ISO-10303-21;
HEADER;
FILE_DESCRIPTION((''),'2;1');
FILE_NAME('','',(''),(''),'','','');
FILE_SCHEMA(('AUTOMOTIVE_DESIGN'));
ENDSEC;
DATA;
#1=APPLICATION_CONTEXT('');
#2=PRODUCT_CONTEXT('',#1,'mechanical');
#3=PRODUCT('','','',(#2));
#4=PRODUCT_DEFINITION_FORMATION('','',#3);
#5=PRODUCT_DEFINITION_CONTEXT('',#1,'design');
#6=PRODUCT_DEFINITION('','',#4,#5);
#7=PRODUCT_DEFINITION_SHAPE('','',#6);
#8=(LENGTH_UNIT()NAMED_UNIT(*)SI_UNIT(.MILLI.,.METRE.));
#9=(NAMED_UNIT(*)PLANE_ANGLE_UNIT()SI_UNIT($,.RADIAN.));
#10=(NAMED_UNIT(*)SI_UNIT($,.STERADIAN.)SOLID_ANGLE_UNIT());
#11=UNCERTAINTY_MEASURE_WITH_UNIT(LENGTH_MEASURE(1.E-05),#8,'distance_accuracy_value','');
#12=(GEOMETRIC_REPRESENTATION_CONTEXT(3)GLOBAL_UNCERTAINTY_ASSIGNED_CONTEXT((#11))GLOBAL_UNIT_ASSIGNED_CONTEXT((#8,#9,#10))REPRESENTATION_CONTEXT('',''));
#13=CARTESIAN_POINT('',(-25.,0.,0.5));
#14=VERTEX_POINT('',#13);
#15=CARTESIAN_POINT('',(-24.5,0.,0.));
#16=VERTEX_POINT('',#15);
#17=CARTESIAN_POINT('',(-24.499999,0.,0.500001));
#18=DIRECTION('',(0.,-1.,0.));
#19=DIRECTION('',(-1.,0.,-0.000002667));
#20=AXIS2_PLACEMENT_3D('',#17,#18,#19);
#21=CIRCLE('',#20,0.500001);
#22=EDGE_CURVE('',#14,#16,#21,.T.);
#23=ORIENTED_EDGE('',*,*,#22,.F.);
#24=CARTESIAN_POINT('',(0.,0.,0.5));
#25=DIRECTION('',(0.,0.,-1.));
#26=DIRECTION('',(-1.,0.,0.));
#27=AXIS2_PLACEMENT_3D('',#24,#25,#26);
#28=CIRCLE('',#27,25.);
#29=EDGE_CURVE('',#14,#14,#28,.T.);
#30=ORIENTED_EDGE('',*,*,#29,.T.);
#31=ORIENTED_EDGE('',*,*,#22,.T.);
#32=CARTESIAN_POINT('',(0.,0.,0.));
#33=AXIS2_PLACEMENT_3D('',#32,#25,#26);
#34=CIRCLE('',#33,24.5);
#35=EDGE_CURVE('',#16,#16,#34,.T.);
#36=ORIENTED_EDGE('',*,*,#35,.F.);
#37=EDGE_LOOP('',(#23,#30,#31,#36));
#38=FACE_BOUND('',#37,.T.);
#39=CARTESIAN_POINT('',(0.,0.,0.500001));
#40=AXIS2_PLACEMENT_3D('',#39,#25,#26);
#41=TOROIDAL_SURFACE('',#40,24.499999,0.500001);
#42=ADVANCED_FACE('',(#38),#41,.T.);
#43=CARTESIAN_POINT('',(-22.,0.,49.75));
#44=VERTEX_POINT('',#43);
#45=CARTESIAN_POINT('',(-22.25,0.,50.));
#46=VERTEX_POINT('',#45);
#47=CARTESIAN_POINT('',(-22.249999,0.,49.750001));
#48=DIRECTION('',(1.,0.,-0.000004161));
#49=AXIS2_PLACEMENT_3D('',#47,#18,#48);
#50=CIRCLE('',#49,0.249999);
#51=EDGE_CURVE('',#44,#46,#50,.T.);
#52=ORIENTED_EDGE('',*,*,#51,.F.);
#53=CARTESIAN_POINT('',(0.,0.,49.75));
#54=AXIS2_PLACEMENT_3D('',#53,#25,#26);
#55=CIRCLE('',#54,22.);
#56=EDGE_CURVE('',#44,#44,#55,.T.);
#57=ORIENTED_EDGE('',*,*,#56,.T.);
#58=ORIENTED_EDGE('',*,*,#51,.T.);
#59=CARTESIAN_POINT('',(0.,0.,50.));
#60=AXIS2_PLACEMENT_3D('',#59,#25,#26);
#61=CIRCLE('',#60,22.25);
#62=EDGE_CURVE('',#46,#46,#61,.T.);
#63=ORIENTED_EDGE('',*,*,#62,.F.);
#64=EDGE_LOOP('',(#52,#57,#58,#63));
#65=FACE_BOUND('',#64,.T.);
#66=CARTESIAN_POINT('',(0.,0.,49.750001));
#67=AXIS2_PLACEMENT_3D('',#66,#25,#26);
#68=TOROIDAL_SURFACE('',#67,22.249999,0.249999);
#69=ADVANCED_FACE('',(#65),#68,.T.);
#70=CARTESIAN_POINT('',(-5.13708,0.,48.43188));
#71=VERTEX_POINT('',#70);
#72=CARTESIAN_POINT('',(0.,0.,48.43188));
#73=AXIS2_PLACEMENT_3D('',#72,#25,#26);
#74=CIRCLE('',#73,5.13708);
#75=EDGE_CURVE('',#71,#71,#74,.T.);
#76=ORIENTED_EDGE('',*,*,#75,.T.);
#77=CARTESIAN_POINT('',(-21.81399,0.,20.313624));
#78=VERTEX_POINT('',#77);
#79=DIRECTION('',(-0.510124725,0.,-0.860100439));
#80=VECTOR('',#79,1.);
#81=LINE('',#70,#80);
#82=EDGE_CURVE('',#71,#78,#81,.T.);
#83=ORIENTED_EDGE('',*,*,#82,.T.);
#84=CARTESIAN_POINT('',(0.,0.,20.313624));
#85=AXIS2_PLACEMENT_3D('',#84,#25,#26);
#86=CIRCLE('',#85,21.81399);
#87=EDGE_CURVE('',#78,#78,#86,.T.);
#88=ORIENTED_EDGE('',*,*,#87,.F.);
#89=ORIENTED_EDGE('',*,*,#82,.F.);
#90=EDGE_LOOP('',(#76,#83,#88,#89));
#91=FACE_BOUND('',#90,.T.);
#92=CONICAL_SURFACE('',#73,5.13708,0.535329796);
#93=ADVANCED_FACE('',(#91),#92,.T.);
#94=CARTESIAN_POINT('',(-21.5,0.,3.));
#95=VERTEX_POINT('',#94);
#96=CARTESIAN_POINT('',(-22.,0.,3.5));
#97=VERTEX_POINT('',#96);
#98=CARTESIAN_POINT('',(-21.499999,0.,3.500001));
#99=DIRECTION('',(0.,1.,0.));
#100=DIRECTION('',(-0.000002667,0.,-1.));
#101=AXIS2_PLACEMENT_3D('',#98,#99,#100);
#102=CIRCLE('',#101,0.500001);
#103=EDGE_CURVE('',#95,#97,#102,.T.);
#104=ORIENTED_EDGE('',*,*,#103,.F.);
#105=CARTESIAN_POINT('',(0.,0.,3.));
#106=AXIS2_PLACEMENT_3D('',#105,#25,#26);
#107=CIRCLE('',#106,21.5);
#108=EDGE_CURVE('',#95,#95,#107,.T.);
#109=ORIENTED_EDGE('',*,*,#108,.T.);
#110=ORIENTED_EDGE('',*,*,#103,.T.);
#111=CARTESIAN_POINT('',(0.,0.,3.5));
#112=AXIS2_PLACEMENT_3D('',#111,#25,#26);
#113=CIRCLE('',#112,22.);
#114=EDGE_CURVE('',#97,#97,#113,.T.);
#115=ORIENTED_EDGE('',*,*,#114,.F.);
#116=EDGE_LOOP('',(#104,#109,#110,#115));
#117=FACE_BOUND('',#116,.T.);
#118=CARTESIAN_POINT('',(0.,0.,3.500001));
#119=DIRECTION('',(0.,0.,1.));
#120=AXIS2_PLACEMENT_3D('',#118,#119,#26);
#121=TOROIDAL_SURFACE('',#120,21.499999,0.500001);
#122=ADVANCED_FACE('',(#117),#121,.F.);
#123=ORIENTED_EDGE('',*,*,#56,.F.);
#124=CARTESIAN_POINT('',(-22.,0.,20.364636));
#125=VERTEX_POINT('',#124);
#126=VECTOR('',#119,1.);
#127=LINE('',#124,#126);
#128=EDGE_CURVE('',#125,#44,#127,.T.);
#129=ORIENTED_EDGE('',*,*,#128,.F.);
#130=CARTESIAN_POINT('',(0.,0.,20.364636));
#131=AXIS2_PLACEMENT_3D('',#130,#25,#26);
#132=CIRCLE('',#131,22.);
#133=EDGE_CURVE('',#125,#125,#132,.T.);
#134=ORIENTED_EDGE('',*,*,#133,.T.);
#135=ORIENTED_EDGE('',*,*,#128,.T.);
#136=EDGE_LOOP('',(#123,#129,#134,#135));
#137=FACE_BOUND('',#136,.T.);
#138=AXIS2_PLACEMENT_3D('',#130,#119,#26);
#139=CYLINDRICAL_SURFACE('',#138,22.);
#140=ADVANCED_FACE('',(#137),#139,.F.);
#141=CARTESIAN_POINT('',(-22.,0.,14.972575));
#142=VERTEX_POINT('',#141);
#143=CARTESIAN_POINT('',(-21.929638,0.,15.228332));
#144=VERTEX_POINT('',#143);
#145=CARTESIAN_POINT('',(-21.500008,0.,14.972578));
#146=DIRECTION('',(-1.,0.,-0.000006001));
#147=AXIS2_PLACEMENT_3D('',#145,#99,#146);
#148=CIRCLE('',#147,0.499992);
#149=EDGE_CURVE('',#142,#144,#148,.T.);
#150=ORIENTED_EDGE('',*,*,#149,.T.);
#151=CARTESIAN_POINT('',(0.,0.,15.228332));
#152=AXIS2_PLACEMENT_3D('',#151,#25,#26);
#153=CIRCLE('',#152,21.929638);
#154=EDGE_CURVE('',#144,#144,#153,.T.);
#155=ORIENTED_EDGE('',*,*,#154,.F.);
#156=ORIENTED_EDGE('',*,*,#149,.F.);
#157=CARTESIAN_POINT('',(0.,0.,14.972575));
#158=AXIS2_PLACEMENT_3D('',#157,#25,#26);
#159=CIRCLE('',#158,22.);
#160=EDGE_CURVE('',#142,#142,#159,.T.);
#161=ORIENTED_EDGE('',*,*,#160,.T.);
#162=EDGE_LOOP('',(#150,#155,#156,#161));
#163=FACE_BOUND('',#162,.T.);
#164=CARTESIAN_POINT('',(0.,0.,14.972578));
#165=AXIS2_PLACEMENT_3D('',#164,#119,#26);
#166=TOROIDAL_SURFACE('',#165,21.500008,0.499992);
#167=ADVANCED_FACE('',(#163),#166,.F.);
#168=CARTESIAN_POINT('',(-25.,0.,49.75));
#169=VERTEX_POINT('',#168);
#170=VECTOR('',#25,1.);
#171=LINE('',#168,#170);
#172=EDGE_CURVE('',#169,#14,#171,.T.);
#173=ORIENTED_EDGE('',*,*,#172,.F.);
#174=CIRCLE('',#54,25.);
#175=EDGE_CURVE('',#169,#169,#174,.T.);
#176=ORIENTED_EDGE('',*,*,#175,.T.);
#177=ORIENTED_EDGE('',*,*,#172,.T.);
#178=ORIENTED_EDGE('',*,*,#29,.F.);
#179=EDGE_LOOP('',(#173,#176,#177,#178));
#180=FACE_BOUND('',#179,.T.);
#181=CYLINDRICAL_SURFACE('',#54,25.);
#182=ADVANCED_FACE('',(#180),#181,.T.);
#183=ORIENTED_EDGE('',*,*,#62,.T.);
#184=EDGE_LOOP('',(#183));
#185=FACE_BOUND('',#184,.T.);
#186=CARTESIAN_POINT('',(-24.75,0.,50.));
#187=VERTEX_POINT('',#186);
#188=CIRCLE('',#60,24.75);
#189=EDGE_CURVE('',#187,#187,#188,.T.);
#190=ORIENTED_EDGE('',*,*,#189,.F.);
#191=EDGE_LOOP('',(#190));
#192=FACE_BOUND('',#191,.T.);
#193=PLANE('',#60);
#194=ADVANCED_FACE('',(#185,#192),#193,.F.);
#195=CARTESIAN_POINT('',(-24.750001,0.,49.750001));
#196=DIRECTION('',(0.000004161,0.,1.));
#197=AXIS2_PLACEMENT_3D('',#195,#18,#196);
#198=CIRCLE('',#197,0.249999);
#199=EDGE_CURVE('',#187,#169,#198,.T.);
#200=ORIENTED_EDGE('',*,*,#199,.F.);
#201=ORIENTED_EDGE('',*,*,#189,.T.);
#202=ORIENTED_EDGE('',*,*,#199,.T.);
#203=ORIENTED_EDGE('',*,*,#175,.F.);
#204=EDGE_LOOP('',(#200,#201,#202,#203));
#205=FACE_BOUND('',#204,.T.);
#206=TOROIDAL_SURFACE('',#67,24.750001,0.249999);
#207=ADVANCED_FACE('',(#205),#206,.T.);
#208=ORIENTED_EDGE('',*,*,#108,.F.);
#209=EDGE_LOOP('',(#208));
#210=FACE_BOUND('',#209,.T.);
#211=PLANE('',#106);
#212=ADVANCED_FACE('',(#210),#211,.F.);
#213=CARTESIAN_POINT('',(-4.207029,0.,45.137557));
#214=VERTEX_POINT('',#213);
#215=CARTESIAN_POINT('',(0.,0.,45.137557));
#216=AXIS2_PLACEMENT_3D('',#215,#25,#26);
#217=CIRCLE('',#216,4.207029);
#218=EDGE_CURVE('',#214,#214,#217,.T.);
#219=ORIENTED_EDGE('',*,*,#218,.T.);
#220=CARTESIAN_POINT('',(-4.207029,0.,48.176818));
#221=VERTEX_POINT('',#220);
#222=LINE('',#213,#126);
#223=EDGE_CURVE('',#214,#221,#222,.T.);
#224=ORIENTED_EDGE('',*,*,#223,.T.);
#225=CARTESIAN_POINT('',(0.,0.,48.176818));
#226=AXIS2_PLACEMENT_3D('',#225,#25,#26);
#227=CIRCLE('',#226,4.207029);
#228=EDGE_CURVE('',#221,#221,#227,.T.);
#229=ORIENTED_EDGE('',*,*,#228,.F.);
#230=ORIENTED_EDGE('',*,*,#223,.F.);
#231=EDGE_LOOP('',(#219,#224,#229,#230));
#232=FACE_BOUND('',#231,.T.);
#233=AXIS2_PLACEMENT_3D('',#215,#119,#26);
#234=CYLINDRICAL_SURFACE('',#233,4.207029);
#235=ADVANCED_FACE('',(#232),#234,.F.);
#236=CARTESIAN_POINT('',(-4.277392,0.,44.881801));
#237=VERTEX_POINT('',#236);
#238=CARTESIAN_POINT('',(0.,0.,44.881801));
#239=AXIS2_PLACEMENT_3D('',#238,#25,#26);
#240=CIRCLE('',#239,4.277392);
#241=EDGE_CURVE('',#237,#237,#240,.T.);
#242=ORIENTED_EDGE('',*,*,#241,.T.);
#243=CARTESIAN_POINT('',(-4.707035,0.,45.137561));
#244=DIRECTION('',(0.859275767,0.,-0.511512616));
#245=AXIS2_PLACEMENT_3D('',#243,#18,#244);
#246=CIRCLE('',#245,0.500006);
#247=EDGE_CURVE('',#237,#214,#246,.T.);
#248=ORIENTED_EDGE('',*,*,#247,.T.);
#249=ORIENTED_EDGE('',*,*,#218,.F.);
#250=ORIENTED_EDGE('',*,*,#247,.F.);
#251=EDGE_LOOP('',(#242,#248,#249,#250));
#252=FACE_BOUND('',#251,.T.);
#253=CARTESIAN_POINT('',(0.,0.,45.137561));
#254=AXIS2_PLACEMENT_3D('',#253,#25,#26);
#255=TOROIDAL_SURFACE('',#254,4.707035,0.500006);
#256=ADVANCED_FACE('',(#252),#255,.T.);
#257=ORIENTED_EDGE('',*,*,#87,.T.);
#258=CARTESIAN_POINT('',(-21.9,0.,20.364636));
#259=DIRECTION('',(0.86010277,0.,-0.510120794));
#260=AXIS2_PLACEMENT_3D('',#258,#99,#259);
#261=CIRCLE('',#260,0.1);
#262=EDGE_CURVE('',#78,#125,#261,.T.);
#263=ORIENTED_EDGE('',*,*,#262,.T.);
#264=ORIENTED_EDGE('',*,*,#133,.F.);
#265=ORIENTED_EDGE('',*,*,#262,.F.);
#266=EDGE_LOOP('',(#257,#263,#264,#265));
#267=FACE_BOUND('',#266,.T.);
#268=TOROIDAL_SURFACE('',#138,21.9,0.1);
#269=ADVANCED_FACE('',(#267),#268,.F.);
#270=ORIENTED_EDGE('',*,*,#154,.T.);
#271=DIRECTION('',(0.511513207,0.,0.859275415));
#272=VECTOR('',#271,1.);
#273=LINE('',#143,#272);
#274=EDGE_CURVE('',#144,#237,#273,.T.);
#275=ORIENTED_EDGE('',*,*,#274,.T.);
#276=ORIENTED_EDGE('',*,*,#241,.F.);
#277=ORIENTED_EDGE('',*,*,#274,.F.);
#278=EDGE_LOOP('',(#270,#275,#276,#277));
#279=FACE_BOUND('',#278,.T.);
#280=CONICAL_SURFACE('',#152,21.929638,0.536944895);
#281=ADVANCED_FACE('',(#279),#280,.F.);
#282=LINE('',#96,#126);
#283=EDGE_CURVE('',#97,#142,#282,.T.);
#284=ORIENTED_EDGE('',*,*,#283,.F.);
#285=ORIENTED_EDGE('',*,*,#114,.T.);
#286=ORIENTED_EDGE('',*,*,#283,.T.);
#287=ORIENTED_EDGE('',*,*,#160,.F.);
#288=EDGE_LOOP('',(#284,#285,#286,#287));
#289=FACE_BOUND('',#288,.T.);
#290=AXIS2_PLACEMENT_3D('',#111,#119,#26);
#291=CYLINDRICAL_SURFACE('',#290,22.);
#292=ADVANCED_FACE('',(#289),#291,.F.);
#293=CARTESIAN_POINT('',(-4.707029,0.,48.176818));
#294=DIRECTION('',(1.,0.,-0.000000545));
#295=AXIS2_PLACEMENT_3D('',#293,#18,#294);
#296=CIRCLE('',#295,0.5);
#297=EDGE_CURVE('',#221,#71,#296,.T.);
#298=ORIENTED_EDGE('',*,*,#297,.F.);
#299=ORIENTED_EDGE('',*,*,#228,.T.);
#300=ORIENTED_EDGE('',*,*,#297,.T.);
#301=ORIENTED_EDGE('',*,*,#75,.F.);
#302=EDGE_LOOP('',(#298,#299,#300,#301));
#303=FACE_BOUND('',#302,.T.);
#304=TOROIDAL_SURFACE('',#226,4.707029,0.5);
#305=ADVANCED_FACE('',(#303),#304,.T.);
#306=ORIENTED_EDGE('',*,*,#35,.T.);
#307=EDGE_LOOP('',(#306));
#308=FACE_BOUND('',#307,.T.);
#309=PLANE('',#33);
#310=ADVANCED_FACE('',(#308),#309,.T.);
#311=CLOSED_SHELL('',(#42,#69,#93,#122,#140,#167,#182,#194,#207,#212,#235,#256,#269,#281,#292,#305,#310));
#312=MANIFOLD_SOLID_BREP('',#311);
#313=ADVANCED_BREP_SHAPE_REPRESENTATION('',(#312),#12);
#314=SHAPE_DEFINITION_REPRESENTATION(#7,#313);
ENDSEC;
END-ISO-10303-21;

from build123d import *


with BuildPart() as f1:
    # F0 (on Front) → F1 (revolve)
    with BuildSketch(Plane.XZ):
        with BuildLine():
            Line((-25, 49.75), (-25, 0.5))
            ThreePointArc((-25, 0.5), (-24.853553, 0.146447), (-24.5, 0))
            Line((-24.5, 0), (0, 0))
            Line((0, 0), (0, 3))
            Line((0, 3), (-21.5, 3))
            ThreePointArc((-21.5, 3), (-21.853553, 3.146447), (-22, 3.5))
            Line((-22, 3.5), (-22, 14.972575))
            ThreePointArc((-22, 14.972575), (-21.982089, 15.105205), (-21.929638, 15.228332))
            Line((-21.929638, 15.228332), (-4.277392, 44.881801))
            ThreePointArc((-4.277392, 44.881801), (-4.224941, 45.004928), (-4.207029, 45.137557))
            Line((-4.207029, 45.137557), (-4.207029, 48.176818))
            ThreePointArc((-4.207029, 48.176818), (-4.574789, 48.659014), (-5.13708, 48.43188))
            Line((-5.13708, 48.43188), (-21.81399, 20.313624))
            ThreePointArc((-21.81399, 20.313624), (-21.926448, 20.268197), (-22, 20.364636))
            Line((-22, 20.364636), (-22, 49.75))
            ThreePointArc((-22, 49.75), (-22.073223, 49.926777), (-22.25, 50))
            Line((-22.25, 50), (-24.75, 50))
            ThreePointArc((-24.75, 50), (-24.926777, 49.926777), (-25, 49.75))
        make_face()
    revolve(axis=Axis((0, 0, 1.5), (0, 0, -1)))


solid = f1.part
